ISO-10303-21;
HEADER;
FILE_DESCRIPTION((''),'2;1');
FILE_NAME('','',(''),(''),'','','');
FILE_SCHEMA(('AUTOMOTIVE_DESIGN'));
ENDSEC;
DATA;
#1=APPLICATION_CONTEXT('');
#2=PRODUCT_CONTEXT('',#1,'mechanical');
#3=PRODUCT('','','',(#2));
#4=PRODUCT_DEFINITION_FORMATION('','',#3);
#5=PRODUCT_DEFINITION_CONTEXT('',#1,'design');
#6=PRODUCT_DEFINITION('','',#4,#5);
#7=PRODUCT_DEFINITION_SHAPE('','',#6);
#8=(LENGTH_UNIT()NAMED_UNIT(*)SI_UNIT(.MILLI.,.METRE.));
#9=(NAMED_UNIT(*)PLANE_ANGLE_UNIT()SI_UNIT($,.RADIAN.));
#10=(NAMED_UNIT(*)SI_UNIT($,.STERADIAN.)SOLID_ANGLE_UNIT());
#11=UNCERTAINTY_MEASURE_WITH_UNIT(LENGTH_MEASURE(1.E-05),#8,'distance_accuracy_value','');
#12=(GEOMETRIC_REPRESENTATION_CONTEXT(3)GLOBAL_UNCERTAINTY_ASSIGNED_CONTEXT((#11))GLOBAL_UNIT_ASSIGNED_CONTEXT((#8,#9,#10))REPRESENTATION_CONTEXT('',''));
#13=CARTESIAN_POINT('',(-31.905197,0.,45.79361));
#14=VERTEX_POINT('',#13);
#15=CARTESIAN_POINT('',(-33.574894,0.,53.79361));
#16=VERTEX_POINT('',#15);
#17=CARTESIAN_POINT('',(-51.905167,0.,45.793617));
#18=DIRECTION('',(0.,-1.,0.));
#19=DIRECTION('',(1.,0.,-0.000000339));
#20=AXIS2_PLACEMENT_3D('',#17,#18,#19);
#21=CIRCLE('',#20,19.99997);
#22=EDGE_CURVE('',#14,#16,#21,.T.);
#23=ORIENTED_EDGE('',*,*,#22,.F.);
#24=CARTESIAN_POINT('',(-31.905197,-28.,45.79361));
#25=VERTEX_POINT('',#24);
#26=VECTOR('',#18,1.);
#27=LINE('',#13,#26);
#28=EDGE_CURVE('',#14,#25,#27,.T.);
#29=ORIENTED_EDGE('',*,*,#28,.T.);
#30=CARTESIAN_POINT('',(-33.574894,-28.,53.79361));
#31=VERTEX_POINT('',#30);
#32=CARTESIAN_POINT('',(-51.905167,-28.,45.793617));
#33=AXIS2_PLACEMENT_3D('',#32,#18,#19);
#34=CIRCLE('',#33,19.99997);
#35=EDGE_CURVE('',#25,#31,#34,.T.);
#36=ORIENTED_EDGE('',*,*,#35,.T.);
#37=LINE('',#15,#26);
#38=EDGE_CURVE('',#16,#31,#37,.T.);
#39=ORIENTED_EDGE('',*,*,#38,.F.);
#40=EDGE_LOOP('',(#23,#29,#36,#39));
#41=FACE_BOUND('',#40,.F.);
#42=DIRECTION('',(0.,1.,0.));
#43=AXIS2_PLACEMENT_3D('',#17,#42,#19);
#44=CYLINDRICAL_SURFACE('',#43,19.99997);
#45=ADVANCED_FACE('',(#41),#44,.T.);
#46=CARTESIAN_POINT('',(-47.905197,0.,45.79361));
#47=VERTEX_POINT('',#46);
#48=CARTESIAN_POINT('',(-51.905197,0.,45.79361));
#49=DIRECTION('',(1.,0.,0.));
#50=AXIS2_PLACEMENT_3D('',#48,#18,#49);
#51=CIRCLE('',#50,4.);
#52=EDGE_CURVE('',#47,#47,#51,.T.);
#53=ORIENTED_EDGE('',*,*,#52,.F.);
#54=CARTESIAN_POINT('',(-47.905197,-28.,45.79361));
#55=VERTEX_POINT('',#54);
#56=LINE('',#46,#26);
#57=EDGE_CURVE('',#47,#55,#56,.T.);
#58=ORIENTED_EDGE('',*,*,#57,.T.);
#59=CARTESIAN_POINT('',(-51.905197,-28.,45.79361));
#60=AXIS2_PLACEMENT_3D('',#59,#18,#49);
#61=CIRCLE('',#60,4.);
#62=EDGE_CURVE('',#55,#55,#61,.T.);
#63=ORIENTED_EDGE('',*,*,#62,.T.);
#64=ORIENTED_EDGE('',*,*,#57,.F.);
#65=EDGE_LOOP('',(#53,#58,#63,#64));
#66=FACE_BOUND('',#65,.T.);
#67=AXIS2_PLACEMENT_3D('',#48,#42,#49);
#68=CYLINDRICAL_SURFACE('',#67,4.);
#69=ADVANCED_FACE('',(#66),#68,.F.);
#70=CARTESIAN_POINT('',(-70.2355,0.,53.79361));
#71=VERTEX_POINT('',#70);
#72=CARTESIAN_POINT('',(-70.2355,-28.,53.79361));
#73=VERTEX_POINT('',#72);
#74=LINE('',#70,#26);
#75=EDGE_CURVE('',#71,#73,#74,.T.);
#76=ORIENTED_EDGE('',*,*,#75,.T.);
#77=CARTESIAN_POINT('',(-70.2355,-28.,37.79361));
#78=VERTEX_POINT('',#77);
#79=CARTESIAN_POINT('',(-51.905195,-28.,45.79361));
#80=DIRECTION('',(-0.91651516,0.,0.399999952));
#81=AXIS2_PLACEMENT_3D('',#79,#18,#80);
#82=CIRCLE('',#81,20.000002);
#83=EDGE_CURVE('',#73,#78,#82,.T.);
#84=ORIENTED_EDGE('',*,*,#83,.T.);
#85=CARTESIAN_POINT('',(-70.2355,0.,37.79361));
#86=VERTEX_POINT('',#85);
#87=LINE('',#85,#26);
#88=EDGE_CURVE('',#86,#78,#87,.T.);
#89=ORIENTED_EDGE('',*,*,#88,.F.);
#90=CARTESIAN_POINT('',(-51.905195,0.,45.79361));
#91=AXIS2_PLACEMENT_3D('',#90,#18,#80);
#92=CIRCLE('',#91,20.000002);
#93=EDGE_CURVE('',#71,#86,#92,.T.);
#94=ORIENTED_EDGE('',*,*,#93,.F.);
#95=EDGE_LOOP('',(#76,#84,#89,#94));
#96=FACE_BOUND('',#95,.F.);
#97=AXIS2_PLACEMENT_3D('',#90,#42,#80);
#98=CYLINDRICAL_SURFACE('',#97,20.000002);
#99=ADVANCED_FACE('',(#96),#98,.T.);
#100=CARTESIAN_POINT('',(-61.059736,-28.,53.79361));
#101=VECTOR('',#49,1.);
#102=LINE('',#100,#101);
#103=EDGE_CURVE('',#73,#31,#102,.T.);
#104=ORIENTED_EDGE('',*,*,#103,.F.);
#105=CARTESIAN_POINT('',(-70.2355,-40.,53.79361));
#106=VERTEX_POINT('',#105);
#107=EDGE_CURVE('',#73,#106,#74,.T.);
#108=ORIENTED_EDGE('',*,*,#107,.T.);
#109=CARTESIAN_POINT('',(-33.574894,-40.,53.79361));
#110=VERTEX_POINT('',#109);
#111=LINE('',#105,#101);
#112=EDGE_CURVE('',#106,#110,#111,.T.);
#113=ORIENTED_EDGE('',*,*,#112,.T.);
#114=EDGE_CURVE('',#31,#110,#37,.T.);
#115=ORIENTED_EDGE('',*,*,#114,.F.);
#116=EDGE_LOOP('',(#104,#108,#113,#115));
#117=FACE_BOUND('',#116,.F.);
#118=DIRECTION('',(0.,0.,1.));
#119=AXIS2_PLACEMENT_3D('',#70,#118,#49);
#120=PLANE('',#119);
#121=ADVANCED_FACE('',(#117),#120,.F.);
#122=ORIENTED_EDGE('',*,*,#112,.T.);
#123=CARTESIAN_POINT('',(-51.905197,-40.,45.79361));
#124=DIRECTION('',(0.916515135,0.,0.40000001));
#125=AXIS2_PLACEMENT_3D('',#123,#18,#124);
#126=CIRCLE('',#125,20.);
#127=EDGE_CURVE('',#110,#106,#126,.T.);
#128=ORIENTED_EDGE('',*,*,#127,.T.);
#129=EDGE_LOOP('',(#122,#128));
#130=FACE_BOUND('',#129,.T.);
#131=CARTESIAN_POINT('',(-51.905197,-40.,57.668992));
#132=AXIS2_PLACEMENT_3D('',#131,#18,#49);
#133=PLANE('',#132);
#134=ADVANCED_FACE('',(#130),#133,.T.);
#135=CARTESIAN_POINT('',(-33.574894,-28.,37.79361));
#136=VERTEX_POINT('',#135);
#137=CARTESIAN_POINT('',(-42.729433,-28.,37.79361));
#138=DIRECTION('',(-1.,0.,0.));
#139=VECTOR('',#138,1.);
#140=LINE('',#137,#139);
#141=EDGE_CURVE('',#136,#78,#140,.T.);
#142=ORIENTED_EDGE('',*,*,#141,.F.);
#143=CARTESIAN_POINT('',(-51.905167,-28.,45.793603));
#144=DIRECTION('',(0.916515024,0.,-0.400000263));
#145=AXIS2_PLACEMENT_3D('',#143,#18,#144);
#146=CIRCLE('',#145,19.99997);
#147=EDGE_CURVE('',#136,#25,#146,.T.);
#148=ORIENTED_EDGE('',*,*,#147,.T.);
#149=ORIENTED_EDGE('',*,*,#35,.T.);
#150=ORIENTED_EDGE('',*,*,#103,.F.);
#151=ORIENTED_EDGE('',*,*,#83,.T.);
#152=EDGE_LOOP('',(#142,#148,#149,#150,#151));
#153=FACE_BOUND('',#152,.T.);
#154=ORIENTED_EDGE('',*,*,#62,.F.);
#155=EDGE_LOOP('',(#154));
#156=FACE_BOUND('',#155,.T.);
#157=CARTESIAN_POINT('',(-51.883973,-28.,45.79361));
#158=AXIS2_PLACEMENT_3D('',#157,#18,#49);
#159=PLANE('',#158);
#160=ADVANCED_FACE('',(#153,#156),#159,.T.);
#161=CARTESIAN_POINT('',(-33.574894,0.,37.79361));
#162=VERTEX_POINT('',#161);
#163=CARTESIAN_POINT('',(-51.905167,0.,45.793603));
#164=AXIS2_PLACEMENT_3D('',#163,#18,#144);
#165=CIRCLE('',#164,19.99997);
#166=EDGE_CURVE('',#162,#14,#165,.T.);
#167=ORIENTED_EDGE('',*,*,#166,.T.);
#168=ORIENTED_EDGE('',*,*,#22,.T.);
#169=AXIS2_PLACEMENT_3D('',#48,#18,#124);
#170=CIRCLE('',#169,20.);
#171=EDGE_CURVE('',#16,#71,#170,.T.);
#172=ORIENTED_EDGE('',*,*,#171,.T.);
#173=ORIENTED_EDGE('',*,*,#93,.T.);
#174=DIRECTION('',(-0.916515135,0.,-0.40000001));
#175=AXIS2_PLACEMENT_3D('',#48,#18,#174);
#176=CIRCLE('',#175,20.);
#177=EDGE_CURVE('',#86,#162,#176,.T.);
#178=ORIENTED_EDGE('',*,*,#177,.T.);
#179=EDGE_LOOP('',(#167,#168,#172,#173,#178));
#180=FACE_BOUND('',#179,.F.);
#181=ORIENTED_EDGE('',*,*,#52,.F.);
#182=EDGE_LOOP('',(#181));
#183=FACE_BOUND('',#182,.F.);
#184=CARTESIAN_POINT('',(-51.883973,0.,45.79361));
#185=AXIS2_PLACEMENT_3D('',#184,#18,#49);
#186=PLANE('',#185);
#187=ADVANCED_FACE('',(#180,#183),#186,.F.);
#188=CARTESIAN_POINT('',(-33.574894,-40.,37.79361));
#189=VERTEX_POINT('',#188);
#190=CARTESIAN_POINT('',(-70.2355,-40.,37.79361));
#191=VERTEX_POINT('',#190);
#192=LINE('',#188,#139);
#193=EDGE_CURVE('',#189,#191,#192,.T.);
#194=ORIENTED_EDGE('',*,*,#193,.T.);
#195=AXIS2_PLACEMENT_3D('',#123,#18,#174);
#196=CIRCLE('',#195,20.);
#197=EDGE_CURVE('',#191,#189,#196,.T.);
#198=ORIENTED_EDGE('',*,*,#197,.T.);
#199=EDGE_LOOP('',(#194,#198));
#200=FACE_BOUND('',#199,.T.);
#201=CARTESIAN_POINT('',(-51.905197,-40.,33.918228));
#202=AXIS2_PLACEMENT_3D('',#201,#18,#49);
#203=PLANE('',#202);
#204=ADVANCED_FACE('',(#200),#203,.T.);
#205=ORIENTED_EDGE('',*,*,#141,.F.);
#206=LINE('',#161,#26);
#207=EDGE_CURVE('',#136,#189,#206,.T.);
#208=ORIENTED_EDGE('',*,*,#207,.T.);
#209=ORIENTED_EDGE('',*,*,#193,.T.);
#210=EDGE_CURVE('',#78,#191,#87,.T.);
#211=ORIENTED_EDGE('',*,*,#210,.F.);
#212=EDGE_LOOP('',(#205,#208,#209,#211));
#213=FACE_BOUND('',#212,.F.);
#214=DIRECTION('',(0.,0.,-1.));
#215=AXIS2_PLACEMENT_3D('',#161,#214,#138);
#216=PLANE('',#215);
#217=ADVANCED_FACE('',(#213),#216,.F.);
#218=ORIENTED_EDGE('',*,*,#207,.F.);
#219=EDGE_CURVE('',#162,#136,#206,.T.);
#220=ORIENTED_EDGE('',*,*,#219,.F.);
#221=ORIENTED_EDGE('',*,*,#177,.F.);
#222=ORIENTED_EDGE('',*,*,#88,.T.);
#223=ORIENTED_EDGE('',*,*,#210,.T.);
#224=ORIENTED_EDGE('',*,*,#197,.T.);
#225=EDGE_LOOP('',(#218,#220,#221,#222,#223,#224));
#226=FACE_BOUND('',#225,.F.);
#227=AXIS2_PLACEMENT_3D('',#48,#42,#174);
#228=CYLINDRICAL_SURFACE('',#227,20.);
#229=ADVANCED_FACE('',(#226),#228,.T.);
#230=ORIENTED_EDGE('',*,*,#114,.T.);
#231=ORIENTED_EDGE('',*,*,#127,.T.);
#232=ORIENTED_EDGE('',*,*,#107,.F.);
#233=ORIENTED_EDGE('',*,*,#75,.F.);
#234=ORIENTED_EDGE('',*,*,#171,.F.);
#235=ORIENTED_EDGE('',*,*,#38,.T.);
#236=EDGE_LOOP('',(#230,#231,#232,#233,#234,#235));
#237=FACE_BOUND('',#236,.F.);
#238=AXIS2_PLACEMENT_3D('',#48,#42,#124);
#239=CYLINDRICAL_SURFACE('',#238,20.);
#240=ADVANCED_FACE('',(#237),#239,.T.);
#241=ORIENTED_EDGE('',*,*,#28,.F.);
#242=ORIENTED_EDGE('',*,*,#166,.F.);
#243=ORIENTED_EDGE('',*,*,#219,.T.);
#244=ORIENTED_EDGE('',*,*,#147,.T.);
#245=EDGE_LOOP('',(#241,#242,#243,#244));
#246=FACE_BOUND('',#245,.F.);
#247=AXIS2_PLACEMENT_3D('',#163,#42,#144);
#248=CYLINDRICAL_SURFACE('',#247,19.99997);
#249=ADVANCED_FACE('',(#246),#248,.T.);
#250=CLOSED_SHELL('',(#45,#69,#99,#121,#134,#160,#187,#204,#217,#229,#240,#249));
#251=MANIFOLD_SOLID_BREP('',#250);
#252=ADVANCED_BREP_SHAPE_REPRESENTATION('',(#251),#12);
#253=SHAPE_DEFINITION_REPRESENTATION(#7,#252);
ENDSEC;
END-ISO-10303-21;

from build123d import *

# Parameters (mm, degrees)
F1_DEPTH = 40
F0_R     = 4
F2_DEPTH = 28


with BuildPart() as f1:
    # F0 (on Front) → F1 (new body)
    with BuildSketch(Plane.XZ):
        with BuildLine():
            Line((-70.2355, 53.79361), (-33.574894, 53.79361))
            ThreePointArc((-33.574894, 53.79361), (-51.905197, 65.79361), (-70.2355, 53.79361))
        make_face()
        with BuildLine():
            ThreePointArc((-70.2355, 37.79361), (-51.905197, 25.79361), (-33.574894, 37.79361))
            Line((-33.574894, 37.79361), (-70.2355, 37.79361))
        make_face()
    extrude(amount=F1_DEPTH)

    # F0 (on Front) → F2 (join)
    with BuildSketch(Plane.XZ):
        with BuildLine():
            ThreePointArc((-33.574894, 37.79361), (-32.32707, 41.707417), (-31.905197, 45.79361))
            ThreePointArc((-31.905197, 45.79361), (-32.32707, 49.879803), (-33.574894, 53.79361))
            Line((-33.574894, 53.79361), (-70.2355, 53.79361))
            ThreePointArc((-70.2355, 53.79361), (-71.905197, 45.79361), (-70.2355, 37.79361))
            Line((-70.2355, 37.79361), (-33.574894, 37.79361))
        make_face()
        with Locations((-51.905197, 45.79361)):
            Circle(F0_R, mode=Mode.SUBTRACT)
        with BuildLine():
            Line((-70.2355, 53.79361), (-33.574894, 53.79361))
            ThreePointArc((-33.574894, 53.79361), (-51.905197, 65.79361), (-70.2355, 53.79361))
        make_face()
        with BuildLine():
            ThreePointArc((-70.2355, 37.79361), (-51.905197, 25.79361), (-33.574894, 37.79361))
            Line((-33.574894, 37.79361), (-70.2355, 37.79361))
        make_face()
    extrude(amount=F2_DEPTH)


solid = f1.part
